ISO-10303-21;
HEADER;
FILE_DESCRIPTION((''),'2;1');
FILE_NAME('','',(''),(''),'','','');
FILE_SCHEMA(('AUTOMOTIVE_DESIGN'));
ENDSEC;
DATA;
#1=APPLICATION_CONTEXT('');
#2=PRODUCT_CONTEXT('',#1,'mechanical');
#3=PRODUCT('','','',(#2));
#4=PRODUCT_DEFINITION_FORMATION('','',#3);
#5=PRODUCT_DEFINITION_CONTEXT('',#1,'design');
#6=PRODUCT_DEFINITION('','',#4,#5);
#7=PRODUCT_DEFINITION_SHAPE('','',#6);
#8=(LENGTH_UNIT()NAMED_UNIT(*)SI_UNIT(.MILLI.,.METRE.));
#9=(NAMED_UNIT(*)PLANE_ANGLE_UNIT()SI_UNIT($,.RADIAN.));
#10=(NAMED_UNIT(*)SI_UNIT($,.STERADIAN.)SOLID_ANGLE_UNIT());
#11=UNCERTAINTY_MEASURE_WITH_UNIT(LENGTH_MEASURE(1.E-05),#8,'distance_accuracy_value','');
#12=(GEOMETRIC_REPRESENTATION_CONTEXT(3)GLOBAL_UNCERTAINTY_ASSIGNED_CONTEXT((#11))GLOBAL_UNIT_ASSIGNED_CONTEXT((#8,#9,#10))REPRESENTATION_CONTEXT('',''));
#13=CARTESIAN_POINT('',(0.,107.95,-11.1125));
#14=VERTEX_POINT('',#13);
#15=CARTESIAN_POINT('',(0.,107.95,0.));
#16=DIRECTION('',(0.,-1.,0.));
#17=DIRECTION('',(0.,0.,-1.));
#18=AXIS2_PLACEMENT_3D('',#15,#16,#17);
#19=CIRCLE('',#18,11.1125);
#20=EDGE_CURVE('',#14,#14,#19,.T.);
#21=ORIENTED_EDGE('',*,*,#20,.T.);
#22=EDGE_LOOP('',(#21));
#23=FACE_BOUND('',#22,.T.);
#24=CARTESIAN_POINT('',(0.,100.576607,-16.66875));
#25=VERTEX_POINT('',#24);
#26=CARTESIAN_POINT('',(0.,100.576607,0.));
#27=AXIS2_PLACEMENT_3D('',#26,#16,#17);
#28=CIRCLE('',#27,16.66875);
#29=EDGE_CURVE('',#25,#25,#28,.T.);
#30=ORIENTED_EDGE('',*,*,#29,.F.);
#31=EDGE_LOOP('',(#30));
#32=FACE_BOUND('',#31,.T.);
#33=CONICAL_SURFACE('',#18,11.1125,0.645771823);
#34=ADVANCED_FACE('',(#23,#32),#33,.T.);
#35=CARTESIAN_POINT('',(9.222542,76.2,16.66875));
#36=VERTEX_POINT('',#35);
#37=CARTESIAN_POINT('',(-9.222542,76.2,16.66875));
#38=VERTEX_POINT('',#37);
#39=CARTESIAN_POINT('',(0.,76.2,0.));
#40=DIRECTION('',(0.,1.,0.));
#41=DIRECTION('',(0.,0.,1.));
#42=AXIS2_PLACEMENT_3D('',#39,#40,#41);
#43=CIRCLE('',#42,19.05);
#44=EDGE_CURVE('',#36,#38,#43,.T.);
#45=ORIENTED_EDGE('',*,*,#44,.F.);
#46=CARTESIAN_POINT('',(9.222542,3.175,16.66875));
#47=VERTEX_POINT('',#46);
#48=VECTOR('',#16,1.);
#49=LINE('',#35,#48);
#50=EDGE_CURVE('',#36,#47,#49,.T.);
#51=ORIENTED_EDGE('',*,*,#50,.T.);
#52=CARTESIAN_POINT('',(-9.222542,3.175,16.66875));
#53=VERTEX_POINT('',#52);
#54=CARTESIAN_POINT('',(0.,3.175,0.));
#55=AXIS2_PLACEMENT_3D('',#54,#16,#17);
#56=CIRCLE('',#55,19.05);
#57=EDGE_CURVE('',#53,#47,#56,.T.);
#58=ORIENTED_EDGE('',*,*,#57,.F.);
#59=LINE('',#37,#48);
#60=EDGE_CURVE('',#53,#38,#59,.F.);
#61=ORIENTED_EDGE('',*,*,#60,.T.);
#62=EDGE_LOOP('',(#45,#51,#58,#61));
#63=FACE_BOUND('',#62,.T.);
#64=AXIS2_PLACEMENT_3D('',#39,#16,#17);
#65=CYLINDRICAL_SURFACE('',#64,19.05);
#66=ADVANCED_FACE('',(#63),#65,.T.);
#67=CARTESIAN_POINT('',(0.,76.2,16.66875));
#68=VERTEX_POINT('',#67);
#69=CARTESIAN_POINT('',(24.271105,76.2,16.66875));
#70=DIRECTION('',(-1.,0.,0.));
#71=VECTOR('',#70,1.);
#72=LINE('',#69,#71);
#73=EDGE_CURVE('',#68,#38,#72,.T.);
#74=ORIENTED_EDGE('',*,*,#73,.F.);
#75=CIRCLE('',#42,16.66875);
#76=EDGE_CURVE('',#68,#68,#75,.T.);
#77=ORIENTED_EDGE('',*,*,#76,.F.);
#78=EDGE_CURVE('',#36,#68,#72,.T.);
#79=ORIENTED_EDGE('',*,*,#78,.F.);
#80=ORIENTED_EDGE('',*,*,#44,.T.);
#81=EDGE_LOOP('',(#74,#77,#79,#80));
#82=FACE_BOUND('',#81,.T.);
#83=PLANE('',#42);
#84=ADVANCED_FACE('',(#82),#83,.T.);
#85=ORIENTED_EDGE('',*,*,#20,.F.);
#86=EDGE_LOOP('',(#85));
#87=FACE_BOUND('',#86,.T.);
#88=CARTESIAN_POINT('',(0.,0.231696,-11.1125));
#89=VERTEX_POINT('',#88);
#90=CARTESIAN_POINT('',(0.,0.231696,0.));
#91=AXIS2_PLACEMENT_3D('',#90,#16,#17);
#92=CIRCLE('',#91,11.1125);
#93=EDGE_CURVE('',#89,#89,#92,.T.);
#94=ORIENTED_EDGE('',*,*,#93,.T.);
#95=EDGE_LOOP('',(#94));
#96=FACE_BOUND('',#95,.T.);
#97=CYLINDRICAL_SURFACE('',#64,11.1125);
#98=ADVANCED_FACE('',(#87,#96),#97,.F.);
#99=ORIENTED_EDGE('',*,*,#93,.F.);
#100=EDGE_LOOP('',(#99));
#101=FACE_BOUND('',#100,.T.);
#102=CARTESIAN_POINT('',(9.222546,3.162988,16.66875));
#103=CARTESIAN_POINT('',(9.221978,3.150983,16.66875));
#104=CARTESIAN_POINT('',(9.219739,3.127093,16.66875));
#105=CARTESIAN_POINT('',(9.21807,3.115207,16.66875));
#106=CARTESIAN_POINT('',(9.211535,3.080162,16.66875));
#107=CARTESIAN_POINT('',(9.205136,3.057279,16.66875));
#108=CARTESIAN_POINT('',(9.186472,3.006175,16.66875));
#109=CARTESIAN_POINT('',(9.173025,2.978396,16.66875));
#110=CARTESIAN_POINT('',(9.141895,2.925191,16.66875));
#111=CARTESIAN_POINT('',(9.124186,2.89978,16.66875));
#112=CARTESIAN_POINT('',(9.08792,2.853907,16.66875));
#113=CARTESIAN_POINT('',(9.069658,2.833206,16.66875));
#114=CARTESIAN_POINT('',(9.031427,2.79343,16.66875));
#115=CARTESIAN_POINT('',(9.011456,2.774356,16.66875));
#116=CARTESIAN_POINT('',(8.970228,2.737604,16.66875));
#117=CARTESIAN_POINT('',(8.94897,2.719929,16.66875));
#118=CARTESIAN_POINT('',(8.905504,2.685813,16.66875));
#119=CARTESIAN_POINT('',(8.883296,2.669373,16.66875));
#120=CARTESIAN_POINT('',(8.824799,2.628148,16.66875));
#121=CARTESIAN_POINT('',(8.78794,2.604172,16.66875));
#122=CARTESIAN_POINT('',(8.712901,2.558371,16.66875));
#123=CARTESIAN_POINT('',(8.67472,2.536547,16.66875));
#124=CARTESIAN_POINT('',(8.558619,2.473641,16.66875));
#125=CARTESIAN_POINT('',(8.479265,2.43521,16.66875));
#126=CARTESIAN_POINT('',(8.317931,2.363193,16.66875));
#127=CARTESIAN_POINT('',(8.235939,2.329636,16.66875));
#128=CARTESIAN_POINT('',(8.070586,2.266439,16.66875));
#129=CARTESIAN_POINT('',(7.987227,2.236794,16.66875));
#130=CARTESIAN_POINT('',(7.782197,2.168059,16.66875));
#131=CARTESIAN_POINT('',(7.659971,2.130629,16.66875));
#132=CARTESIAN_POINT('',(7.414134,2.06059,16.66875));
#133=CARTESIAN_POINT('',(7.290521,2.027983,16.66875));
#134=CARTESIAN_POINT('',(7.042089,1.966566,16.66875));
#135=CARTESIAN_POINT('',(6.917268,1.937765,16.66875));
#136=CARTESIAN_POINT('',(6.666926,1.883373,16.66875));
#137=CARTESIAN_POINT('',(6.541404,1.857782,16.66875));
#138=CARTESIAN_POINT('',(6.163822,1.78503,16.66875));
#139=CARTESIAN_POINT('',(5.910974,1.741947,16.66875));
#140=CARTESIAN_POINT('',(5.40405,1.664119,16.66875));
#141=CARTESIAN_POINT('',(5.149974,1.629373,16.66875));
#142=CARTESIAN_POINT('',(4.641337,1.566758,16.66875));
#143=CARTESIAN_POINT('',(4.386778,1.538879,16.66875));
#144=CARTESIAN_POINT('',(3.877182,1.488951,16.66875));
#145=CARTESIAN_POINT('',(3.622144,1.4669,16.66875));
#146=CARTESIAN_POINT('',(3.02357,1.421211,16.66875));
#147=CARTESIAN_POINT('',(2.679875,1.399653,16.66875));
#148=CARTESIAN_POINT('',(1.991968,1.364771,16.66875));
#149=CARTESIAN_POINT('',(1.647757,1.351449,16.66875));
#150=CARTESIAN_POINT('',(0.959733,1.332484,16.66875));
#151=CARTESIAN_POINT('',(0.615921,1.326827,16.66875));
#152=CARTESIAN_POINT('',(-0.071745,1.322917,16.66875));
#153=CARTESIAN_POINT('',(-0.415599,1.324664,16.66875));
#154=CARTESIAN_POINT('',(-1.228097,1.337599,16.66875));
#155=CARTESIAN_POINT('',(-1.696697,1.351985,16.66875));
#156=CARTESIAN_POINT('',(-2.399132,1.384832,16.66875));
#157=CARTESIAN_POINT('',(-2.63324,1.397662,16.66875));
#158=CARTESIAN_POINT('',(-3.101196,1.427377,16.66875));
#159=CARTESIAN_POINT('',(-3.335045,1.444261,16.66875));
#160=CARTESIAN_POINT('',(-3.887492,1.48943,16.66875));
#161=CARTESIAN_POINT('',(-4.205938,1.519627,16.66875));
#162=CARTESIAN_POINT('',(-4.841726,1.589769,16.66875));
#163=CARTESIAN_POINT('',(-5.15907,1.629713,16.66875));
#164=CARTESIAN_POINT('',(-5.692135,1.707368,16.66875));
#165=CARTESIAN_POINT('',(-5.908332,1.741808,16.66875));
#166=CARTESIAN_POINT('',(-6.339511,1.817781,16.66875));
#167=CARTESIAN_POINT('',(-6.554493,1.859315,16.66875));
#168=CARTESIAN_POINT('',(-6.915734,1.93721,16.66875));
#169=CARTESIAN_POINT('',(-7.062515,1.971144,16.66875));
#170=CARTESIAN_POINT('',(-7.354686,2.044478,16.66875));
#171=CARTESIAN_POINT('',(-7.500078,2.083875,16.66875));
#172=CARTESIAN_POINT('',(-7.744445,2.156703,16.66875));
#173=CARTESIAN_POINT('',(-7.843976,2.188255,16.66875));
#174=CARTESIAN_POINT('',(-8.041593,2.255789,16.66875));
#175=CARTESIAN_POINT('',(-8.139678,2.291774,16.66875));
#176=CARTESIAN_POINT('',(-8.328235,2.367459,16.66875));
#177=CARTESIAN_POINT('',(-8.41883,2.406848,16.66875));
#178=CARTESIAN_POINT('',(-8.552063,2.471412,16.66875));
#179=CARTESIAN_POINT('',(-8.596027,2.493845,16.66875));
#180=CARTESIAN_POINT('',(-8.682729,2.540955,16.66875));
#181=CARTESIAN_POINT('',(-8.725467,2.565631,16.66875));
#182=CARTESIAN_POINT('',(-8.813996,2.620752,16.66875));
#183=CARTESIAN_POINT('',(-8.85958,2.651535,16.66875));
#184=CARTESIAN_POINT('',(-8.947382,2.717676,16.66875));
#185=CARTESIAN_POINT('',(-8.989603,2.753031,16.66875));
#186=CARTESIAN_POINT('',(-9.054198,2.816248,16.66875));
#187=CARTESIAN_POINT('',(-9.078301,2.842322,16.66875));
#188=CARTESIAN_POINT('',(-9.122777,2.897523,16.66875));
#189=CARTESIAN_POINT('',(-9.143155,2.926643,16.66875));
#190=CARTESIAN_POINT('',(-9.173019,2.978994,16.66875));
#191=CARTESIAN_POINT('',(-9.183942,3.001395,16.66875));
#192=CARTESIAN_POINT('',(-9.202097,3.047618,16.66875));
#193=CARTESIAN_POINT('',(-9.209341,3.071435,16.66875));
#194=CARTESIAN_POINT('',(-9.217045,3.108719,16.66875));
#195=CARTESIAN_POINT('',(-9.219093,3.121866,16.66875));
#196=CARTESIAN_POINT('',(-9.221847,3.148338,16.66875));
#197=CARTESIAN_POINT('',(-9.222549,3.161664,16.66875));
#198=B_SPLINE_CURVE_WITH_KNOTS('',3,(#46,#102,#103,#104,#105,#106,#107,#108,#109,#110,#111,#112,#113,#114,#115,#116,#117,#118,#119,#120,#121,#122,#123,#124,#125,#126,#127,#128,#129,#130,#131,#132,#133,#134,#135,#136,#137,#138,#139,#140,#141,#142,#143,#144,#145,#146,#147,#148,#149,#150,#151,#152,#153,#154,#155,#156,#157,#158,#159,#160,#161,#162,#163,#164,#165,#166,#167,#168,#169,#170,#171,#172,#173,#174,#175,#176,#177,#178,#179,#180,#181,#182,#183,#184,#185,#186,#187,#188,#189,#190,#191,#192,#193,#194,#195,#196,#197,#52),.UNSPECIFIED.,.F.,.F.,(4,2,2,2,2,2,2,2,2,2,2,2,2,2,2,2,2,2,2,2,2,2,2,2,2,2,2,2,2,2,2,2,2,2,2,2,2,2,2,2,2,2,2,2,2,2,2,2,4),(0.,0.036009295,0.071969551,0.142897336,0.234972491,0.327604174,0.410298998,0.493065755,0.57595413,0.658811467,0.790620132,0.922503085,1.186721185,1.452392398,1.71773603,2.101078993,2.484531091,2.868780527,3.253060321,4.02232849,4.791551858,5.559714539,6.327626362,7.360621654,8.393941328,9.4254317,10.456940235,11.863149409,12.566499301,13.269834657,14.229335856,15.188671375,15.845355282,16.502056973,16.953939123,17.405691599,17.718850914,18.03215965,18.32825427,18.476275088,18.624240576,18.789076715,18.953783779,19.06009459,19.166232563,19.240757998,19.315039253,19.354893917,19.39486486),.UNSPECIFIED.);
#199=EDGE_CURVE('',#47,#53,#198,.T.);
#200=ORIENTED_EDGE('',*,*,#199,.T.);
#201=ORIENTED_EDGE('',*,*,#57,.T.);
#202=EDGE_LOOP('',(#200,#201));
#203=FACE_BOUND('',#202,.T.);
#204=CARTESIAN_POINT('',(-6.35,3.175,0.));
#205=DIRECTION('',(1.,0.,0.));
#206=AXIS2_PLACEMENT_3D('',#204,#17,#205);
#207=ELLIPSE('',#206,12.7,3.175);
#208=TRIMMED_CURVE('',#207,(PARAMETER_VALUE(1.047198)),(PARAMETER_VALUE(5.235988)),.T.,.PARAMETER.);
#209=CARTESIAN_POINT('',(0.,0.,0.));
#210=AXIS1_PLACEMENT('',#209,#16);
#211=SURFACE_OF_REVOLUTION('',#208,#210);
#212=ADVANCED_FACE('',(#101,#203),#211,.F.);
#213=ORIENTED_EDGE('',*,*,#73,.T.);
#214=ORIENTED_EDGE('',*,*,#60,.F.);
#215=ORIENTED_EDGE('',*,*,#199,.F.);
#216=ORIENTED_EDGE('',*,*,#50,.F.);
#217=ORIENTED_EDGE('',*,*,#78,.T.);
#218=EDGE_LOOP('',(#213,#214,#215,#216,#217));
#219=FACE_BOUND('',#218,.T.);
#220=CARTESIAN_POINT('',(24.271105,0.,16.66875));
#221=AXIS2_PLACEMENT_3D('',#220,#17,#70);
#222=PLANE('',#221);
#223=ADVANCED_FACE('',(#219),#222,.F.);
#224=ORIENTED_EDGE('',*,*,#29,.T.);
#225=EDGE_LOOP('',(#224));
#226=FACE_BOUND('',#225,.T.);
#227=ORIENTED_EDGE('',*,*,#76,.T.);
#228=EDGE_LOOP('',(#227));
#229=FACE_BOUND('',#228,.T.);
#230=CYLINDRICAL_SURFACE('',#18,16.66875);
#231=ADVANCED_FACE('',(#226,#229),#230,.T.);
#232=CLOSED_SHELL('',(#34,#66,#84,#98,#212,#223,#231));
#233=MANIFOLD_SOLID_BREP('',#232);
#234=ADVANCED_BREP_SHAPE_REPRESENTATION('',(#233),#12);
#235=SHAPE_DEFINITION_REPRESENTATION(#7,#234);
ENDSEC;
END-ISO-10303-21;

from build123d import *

# Parameters (mm, degrees)
SKETCH1_R           = 19.05
SKETCH1_R_2         = 11.1125
BOSS_EXTRUDE1_DEPTH = 76.2
SKETCH2_R           = 16.66875
SKETCH2_R_2         = 11.1125
BOSS_EXTRUDE2_DEPTH = 31.75
CUT_EXTRUDE1_DEPTH  = 77.2


with BuildPart() as part:
    # Sketch1 → Boss-Extrude1 (new body)
    with BuildSketch(Plane(origin=(0, 0, 0), x_dir=(1, 0, 0), z_dir=(0, 1, 0))):
        Circle(SKETCH1_R)
        Circle(SKETCH1_R_2, mode=Mode.SUBTRACT)
    extrude(amount=BOSS_EXTRUDE1_DEPTH)

    # Sketch2 → Boss-Extrude2 (add)
    with BuildSketch(Plane(origin=(0, 76.2, 0), x_dir=(1, 0, 0), z_dir=(0, 1, 0))):
        Circle(SKETCH2_R)
        Circle(SKETCH2_R_2, mode=Mode.SUBTRACT)
    extrude(amount=BOSS_EXTRUDE2_DEPTH)

    # Sketch3 → Cut-Revolve1 (revolve, cut)
    with BuildSketch(Plane(origin=(0, 0, 0), x_dir=(0, 0, -1), z_dir=(1, 0, 0))):
        Polygon((16.66875, 107.95), (16.66875, 100.57660721), (11.1125, 107.95), align=None)
    revolve(axis=Axis((0, 107.95, 0), (0, 1, 0)), mode=Mode.SUBTRACT)

    # Sketch4 → Cut-Extrude1 (cut, through all)
    with BuildSketch(Plane(origin=(0, 76.2, 0), x_dir=(1, 0, 0), z_dir=(0, 1, 0))):
        with BuildLine():
            Line((24.271104702, -16.66875), (-24.271104702, -16.66875))
            ThreePointArc((-24.271104702, -16.66875), (0, -29.443738723), (24.271104702, -16.66875))
        make_face()
    extrude(amount=-CUT_EXTRUDE1_DEPTH, mode=Mode.SUBTRACT)

    # Sketch8 → Cut-Revolve4 (revolve, cut)
    with BuildSketch(Plane.XY):
        with BuildLine():
            Line((0, 0), (-6.35, 0))
            add(Edge.make_bspline(
                [(-19.05, 3.175), (-19.05, 0), (-6.35, 0)],
                knots=[3.141592654, 3.141592654, 3.141592654, 4.71238898, 4.71238898, 4.71238898], degree=2, weights=[1, 0.707106781, 1]))
            Line((-19.05, 3.175), (-19.05, -4.469484217))
            Line((-19.05, -4.469484217), (0, -4.469484217))
            Line((0, -4.469484217), (0, 0))
        make_face()
    revolve(axis=Axis((0, 0, 0), (0, 1, 0)), mode=Mode.SUBTRACT)


solid = part.part
